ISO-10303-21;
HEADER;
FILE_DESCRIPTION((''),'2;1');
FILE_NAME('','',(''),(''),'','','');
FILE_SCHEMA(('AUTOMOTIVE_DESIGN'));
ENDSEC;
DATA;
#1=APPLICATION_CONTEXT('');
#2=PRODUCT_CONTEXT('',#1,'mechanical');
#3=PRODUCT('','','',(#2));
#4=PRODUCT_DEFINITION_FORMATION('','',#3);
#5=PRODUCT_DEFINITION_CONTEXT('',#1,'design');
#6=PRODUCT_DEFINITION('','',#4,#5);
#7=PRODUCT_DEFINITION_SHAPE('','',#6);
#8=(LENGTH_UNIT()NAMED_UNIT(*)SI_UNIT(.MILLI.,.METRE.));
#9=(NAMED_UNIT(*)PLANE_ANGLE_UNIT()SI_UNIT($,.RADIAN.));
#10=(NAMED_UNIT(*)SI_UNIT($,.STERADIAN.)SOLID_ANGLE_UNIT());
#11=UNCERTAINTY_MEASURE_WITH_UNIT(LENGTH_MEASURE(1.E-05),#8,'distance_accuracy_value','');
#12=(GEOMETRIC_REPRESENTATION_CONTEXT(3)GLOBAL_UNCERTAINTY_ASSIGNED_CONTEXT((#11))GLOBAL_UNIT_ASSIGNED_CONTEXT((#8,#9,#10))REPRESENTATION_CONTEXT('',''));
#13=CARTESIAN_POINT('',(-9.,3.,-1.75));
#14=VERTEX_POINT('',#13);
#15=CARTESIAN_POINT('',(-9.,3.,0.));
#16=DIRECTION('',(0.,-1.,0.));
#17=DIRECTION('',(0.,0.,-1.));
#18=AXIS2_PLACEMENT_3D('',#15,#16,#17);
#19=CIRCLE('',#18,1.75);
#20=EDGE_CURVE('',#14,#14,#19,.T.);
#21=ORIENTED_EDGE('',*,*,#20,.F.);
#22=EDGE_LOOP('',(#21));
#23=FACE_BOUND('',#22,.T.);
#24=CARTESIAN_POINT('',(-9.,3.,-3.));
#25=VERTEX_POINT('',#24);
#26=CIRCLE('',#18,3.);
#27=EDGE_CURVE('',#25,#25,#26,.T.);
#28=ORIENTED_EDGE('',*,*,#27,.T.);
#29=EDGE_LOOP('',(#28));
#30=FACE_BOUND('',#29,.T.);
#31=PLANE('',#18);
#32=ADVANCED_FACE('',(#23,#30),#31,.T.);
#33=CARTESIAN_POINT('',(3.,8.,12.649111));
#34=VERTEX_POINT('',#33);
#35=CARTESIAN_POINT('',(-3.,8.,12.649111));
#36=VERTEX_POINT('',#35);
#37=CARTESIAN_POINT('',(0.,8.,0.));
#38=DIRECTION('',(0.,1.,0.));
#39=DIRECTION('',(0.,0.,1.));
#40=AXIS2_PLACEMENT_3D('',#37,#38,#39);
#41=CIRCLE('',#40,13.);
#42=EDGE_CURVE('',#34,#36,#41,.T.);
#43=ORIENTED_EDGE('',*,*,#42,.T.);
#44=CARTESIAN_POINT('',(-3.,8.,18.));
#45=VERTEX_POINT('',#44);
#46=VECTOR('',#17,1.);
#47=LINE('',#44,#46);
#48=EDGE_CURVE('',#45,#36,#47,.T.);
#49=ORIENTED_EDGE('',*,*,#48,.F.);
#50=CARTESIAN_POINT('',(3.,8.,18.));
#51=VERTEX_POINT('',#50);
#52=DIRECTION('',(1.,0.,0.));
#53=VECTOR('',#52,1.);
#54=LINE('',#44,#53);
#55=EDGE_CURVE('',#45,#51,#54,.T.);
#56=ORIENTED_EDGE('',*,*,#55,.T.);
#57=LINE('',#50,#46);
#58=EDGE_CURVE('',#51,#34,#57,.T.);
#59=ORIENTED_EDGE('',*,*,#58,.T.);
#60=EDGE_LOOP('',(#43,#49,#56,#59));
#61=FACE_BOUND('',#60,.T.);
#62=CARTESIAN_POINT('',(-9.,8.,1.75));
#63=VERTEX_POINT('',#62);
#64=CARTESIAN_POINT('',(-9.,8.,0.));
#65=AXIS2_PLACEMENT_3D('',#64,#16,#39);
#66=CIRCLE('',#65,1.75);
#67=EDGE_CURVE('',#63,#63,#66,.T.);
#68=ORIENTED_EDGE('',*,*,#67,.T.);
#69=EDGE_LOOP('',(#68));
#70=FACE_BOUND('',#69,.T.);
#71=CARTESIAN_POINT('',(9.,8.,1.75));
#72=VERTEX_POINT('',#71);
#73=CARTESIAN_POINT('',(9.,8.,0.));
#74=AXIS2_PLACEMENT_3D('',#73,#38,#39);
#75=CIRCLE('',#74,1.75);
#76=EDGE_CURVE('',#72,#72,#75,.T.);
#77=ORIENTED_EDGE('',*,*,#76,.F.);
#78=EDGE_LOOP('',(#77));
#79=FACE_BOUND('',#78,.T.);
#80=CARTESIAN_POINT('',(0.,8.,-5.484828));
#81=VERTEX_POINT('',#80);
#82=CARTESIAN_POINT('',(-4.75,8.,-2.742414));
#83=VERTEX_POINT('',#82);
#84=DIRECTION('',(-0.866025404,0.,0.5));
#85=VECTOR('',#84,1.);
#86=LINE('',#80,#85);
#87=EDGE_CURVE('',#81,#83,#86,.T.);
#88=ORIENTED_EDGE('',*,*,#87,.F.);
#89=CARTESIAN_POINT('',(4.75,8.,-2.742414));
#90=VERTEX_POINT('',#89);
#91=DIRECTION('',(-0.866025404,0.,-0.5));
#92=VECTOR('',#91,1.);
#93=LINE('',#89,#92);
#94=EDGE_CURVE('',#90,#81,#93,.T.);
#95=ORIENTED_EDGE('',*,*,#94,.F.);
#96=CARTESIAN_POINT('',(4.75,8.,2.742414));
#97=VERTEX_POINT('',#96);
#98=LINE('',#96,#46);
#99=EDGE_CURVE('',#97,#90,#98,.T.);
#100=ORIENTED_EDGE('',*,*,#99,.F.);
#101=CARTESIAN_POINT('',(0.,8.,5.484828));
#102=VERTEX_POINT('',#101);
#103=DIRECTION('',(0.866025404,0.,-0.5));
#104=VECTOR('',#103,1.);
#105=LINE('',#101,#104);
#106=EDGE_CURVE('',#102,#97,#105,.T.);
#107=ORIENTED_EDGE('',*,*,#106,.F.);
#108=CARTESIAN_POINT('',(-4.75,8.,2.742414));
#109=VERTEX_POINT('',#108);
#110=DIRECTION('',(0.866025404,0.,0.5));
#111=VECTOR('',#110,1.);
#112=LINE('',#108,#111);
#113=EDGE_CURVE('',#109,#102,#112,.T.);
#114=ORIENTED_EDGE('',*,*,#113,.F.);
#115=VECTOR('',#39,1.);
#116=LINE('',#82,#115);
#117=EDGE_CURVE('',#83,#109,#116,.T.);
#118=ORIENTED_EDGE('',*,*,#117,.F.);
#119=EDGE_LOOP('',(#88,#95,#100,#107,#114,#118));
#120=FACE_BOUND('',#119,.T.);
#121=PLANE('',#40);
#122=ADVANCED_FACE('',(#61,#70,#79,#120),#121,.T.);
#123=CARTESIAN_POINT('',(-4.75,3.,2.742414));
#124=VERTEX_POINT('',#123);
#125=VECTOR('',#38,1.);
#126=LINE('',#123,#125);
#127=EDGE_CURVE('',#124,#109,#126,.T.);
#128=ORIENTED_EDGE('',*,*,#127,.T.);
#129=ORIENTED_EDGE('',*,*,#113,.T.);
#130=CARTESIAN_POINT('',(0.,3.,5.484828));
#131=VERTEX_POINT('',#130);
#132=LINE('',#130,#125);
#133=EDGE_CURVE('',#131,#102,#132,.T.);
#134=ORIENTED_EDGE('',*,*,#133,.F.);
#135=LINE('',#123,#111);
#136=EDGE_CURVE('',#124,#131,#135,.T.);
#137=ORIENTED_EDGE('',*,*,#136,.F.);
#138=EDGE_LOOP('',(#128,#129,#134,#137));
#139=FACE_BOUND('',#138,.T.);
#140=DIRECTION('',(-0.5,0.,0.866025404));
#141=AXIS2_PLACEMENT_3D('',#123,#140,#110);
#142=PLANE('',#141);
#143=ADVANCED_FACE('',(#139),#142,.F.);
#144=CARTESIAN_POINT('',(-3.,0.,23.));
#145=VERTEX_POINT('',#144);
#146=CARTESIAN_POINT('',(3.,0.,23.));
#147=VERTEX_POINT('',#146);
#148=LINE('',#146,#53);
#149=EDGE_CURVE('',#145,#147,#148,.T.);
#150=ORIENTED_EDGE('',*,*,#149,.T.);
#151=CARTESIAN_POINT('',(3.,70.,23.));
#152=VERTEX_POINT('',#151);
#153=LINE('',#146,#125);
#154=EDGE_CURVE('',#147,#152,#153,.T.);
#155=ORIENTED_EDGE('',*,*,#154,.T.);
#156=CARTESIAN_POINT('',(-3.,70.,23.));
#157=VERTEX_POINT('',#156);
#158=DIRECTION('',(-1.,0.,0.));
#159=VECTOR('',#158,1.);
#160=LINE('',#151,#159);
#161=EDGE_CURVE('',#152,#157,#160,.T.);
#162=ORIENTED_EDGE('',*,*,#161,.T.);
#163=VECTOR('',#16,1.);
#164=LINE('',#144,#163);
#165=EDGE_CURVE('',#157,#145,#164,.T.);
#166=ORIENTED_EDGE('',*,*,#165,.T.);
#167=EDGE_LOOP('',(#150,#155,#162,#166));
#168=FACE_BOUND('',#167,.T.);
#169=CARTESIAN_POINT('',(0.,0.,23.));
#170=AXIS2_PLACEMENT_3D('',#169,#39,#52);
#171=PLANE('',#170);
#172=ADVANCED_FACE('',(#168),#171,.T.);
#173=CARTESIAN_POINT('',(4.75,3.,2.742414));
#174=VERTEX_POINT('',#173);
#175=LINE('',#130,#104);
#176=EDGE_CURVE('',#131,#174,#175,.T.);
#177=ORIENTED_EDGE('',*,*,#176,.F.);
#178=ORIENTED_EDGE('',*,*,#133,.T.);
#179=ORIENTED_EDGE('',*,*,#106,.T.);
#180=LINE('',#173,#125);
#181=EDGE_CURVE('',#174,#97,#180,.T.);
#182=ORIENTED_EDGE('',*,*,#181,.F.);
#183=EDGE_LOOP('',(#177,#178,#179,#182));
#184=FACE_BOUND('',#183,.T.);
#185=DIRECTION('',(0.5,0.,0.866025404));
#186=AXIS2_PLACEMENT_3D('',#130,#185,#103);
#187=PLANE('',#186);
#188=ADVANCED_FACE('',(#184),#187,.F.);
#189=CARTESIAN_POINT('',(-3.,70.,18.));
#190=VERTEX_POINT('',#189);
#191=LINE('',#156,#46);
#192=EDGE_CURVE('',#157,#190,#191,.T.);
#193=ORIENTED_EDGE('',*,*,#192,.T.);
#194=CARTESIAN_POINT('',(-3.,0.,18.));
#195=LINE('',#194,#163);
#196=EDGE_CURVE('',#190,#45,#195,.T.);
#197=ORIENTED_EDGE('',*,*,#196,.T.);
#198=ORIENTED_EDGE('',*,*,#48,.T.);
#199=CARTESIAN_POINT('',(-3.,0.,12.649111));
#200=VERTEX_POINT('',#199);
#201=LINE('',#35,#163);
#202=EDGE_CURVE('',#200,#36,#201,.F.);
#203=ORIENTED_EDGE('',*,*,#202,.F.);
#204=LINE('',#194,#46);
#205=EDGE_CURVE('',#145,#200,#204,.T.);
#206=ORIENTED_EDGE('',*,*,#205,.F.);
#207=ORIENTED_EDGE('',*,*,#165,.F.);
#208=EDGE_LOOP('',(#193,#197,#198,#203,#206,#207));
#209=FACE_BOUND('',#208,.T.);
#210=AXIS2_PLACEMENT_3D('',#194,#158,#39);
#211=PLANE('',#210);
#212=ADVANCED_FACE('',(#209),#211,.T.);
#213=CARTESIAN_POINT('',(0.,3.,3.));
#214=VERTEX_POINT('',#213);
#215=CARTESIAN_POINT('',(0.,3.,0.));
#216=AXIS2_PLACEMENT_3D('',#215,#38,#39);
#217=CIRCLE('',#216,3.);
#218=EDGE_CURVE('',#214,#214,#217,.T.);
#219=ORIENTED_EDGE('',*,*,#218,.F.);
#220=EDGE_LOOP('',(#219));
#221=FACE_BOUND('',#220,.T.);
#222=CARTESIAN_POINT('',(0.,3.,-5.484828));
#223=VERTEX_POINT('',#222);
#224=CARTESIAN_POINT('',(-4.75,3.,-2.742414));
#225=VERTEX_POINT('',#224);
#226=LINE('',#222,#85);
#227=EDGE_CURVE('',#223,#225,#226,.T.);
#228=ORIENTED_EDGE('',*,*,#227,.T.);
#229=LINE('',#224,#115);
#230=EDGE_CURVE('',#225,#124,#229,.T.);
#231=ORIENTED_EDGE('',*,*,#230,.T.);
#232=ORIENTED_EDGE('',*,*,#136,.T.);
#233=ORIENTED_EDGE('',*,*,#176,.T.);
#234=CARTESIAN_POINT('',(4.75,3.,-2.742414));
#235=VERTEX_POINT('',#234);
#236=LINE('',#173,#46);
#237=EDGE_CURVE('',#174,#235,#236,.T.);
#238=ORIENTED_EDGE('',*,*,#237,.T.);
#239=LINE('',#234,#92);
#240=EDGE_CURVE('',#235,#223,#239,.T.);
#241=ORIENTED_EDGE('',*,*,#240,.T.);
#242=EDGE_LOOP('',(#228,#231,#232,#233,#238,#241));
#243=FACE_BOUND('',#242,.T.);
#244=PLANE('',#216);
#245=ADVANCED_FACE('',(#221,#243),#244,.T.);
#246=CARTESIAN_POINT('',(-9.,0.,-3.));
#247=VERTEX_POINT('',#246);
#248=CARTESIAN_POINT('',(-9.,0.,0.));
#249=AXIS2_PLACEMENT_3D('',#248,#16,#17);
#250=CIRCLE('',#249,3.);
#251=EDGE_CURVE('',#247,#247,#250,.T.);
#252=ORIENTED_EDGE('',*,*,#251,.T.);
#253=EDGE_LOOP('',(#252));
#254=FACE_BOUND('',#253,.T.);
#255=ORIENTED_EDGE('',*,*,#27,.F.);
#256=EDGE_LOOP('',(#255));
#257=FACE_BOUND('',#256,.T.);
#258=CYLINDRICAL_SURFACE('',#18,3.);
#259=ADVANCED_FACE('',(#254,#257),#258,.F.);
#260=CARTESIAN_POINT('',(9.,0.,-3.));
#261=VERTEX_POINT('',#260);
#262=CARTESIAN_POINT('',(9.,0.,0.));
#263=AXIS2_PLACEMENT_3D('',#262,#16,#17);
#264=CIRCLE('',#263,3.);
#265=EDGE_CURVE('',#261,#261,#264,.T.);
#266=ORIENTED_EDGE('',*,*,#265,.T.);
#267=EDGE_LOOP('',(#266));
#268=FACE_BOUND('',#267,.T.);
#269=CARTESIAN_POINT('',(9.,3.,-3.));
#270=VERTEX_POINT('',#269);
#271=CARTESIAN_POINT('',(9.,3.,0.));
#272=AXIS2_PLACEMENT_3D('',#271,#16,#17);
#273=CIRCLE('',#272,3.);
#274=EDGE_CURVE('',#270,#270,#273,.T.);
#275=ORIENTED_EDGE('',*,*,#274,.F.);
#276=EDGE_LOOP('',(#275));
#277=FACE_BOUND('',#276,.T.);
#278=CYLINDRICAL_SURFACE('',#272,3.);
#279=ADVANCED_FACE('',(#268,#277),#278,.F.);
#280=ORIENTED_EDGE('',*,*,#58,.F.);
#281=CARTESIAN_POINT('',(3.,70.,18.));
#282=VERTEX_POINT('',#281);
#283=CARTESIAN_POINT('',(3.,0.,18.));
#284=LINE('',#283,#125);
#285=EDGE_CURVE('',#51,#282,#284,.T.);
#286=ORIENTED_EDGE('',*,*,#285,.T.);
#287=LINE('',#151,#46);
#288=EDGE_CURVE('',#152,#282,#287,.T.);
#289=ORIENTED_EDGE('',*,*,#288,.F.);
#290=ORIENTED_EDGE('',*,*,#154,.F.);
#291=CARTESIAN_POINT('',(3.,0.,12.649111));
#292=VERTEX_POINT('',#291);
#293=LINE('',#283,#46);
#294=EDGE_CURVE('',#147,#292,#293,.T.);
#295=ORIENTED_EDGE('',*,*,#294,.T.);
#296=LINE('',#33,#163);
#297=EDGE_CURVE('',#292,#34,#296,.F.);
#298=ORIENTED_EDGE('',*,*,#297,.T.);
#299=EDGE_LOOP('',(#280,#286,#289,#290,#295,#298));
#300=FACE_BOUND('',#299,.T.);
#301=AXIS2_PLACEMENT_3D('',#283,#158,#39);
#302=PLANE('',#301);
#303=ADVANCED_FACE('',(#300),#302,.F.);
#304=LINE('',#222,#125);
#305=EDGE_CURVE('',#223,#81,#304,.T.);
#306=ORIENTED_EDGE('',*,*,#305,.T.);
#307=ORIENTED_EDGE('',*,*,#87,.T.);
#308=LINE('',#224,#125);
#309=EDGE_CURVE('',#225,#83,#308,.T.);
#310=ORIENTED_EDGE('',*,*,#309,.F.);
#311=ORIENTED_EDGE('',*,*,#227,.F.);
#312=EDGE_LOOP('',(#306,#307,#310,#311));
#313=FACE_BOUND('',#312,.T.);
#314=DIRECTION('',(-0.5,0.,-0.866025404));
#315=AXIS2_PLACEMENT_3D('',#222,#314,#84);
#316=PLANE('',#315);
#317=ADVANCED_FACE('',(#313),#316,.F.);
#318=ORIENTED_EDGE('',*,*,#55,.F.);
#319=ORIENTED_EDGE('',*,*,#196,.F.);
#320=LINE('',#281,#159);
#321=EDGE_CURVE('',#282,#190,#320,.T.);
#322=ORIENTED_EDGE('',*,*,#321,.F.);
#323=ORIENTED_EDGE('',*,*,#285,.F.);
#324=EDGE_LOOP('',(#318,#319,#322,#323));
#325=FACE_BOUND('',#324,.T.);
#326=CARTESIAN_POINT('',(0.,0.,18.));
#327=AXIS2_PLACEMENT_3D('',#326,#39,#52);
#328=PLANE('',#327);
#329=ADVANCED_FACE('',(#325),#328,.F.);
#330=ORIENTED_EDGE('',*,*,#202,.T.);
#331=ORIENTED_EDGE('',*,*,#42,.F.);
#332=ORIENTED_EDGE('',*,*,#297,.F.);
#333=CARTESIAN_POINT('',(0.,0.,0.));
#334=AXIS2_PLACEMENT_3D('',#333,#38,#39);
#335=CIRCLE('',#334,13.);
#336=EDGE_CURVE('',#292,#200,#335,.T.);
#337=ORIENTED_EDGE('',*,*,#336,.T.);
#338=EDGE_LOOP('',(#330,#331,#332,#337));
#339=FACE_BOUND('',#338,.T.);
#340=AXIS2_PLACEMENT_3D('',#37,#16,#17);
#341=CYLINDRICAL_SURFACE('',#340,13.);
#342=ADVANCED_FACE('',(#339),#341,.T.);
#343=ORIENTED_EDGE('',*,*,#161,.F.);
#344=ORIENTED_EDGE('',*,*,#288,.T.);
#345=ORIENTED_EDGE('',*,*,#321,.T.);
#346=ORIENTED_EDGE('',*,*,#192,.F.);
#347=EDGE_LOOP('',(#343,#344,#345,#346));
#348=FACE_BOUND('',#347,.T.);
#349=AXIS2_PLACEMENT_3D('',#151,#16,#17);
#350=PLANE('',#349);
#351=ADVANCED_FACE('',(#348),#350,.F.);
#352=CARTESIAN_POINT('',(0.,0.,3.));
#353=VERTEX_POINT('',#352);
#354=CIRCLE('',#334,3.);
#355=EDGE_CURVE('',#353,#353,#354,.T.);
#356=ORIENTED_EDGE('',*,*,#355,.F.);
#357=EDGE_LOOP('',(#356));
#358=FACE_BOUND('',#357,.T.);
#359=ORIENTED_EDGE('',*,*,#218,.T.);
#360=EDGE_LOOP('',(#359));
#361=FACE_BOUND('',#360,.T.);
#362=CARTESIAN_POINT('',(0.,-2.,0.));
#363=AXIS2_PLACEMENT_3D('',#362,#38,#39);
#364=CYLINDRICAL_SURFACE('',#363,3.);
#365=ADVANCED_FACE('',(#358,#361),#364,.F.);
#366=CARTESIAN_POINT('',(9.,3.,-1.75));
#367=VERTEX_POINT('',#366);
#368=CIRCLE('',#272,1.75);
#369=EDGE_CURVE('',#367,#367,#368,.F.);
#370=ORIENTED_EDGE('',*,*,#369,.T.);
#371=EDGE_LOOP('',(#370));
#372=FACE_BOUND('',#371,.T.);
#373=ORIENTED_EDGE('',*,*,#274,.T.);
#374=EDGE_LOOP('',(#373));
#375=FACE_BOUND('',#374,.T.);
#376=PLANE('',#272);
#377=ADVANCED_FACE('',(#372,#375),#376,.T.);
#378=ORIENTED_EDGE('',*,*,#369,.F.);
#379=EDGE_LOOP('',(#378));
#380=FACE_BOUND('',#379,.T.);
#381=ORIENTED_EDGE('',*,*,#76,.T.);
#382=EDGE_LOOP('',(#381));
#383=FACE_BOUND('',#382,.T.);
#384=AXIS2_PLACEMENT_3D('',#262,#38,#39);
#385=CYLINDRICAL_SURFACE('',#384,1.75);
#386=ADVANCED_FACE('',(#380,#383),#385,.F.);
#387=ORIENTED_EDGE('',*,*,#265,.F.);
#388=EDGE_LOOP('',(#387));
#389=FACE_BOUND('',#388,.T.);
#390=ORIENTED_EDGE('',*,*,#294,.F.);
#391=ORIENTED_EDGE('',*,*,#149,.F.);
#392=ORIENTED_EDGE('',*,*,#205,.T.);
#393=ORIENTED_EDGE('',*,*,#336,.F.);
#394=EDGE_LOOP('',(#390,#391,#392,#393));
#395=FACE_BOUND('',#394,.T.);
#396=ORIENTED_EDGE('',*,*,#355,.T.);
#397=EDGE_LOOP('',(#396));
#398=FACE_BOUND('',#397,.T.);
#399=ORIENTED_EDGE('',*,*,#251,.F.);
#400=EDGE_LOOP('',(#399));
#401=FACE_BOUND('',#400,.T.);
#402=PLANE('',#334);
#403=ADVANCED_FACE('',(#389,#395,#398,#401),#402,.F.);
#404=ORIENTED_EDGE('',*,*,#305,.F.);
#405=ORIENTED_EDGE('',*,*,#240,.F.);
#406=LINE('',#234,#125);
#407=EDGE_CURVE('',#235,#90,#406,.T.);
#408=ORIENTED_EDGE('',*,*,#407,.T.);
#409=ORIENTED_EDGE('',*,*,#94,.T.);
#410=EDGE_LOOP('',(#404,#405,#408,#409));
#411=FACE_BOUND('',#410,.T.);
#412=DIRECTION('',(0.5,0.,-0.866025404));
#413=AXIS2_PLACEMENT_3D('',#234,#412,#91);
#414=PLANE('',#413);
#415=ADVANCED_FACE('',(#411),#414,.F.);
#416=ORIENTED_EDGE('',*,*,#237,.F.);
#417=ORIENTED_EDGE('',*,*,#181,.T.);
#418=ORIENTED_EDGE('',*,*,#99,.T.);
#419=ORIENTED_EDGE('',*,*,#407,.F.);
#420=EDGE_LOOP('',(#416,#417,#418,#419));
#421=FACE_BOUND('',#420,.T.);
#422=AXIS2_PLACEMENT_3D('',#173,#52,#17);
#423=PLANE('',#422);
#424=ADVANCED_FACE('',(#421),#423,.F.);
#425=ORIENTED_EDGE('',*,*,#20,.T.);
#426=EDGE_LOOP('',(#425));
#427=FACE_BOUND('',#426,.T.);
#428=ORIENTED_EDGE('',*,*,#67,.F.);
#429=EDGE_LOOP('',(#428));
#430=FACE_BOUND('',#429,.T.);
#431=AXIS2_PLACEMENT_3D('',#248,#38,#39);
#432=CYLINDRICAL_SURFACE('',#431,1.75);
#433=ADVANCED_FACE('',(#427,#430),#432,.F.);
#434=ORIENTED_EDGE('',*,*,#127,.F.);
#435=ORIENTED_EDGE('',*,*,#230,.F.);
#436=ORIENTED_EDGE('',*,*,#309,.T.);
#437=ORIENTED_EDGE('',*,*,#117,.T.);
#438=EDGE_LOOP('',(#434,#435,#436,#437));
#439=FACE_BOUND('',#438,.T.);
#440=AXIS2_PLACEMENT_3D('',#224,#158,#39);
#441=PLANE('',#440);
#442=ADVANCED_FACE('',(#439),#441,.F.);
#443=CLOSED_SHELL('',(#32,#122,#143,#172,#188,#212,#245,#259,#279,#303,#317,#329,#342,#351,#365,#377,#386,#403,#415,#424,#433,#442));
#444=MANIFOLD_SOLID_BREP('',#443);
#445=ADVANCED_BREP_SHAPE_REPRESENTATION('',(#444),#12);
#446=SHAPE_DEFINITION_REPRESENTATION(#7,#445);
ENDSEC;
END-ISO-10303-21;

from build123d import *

# Parameters (mm, degrees)
SKETCH1_R           = 13
BOSS_EXTRUDE1_DEPTH = 8
CUT_EXTRUDE1_DEPTH  = 5
SKETCH3_R           = 1.75
CUT_EXTRUDE2_DEPTH  = 21.049937656
SKETCH4_R           = 3
CUT_EXTRUDE3_DEPTH  = 5
SKETCH6_R           = 3
CUT_EXTRUDE4_DEPTH  = 3
SKETCH7_R           = 3
CUT_EXTRUDE5_DEPTH  = 3
SKETCH5_W           = 8
SKETCH5_H           = 6
BOSS_EXTRUDE2_DEPTH = 5
SKETCH8_W           = 6
SKETCH8_H           = 70
BOSS_EXTRUDE3_DEPTH = 5


with BuildPart() as part:
    # Sketch1 → Boss-Extrude1 (new body)
    with BuildSketch(Plane(origin=(0, 0, 0), x_dir=(1, 0, 0), z_dir=(0, 1, 0))):
        with Locations(Location((0, 0, 0), (0, 0, 270))):
            Circle(SKETCH1_R)
    extrude(amount=BOSS_EXTRUDE1_DEPTH)

    # Sketch2 → Cut-Extrude1 (cut)
    with BuildSketch(Plane(origin=(0, 8, 0), x_dir=(1, 0, 0), z_dir=(0, 1, 0))):
        Polygon((0, 5.484827557), (-4.75, 2.742413779), (-4.75, -2.742413779), (0, -5.484827557), (4.75, -2.742413779), (4.75, 2.742413779), align=None)
    extrude(amount=-CUT_EXTRUDE1_DEPTH, mode=Mode.SUBTRACT)

    # Sketch3 → Cut-Extrude2 (cut, through all)
    with BuildSketch(Plane(origin=(0, 8, 0), x_dir=(1, 0, 0), z_dir=(0, 1, 0))):
        with Locations(Location((9, 0, 0), (0, 0, 270))):
            Circle(SKETCH3_R)
    cut_extrude2 = extrude(amount=-CUT_EXTRUDE2_DEPTH, mode=Mode.SUBTRACT)

    # Mirror1: Cut-Extrude2 across plane
    add(cut_extrude2.mirror(Plane(origin=(0, 0, 0), x_dir=(0, 0, 1), z_dir=(1, 0, 0))), mode=Mode.SUBTRACT)

    # Sketch4 → Cut-Extrude3 (cut)
    with BuildSketch(Plane(origin=(0, 3, 0), x_dir=(1, 0, 0), z_dir=(0, 1, 0))):
        with Locations(Location((0, 0, 0), (0, 0, 270))):
            Circle(SKETCH4_R)
    extrude(amount=-CUT_EXTRUDE3_DEPTH, mode=Mode.SUBTRACT)

    # Sketch6 → Cut-Extrude4 (cut)
    with BuildSketch(Plane.XZ):
        with Locations(Location((9, 0, 0), (0, 0, 270))):
            Circle(SKETCH6_R)
    extrude(amount=-CUT_EXTRUDE4_DEPTH, mode=Mode.SUBTRACT)

    # Sketch7 → Cut-Extrude5 (cut)
    with BuildSketch(Plane.XZ):
        with Locations(Location((-9, 0, 0), (0, 0, 270))):
            Circle(SKETCH7_R)
    extrude(amount=-CUT_EXTRUDE5_DEPTH, mode=Mode.SUBTRACT)

    # Sketch5 → Boss-Extrude2 (add, symmetric)
    with BuildSketch(Plane(origin=(0, 0, 13), x_dir=(0, -1, 0), z_dir=(0, 0, 1))):
        with Locations((-4, 0)):
            Rectangle(SKETCH5_W, SKETCH5_H)
    extrude(amount=BOSS_EXTRUDE2_DEPTH, both=True)

    # Sketch8 → Boss-Extrude3 (add)
    with BuildSketch(Plane.XY.offset(18)):
        with Locations((0, 35)):
            Rectangle(SKETCH8_W, SKETCH8_H)
    extrude(amount=BOSS_EXTRUDE3_DEPTH)


solid = part.part
